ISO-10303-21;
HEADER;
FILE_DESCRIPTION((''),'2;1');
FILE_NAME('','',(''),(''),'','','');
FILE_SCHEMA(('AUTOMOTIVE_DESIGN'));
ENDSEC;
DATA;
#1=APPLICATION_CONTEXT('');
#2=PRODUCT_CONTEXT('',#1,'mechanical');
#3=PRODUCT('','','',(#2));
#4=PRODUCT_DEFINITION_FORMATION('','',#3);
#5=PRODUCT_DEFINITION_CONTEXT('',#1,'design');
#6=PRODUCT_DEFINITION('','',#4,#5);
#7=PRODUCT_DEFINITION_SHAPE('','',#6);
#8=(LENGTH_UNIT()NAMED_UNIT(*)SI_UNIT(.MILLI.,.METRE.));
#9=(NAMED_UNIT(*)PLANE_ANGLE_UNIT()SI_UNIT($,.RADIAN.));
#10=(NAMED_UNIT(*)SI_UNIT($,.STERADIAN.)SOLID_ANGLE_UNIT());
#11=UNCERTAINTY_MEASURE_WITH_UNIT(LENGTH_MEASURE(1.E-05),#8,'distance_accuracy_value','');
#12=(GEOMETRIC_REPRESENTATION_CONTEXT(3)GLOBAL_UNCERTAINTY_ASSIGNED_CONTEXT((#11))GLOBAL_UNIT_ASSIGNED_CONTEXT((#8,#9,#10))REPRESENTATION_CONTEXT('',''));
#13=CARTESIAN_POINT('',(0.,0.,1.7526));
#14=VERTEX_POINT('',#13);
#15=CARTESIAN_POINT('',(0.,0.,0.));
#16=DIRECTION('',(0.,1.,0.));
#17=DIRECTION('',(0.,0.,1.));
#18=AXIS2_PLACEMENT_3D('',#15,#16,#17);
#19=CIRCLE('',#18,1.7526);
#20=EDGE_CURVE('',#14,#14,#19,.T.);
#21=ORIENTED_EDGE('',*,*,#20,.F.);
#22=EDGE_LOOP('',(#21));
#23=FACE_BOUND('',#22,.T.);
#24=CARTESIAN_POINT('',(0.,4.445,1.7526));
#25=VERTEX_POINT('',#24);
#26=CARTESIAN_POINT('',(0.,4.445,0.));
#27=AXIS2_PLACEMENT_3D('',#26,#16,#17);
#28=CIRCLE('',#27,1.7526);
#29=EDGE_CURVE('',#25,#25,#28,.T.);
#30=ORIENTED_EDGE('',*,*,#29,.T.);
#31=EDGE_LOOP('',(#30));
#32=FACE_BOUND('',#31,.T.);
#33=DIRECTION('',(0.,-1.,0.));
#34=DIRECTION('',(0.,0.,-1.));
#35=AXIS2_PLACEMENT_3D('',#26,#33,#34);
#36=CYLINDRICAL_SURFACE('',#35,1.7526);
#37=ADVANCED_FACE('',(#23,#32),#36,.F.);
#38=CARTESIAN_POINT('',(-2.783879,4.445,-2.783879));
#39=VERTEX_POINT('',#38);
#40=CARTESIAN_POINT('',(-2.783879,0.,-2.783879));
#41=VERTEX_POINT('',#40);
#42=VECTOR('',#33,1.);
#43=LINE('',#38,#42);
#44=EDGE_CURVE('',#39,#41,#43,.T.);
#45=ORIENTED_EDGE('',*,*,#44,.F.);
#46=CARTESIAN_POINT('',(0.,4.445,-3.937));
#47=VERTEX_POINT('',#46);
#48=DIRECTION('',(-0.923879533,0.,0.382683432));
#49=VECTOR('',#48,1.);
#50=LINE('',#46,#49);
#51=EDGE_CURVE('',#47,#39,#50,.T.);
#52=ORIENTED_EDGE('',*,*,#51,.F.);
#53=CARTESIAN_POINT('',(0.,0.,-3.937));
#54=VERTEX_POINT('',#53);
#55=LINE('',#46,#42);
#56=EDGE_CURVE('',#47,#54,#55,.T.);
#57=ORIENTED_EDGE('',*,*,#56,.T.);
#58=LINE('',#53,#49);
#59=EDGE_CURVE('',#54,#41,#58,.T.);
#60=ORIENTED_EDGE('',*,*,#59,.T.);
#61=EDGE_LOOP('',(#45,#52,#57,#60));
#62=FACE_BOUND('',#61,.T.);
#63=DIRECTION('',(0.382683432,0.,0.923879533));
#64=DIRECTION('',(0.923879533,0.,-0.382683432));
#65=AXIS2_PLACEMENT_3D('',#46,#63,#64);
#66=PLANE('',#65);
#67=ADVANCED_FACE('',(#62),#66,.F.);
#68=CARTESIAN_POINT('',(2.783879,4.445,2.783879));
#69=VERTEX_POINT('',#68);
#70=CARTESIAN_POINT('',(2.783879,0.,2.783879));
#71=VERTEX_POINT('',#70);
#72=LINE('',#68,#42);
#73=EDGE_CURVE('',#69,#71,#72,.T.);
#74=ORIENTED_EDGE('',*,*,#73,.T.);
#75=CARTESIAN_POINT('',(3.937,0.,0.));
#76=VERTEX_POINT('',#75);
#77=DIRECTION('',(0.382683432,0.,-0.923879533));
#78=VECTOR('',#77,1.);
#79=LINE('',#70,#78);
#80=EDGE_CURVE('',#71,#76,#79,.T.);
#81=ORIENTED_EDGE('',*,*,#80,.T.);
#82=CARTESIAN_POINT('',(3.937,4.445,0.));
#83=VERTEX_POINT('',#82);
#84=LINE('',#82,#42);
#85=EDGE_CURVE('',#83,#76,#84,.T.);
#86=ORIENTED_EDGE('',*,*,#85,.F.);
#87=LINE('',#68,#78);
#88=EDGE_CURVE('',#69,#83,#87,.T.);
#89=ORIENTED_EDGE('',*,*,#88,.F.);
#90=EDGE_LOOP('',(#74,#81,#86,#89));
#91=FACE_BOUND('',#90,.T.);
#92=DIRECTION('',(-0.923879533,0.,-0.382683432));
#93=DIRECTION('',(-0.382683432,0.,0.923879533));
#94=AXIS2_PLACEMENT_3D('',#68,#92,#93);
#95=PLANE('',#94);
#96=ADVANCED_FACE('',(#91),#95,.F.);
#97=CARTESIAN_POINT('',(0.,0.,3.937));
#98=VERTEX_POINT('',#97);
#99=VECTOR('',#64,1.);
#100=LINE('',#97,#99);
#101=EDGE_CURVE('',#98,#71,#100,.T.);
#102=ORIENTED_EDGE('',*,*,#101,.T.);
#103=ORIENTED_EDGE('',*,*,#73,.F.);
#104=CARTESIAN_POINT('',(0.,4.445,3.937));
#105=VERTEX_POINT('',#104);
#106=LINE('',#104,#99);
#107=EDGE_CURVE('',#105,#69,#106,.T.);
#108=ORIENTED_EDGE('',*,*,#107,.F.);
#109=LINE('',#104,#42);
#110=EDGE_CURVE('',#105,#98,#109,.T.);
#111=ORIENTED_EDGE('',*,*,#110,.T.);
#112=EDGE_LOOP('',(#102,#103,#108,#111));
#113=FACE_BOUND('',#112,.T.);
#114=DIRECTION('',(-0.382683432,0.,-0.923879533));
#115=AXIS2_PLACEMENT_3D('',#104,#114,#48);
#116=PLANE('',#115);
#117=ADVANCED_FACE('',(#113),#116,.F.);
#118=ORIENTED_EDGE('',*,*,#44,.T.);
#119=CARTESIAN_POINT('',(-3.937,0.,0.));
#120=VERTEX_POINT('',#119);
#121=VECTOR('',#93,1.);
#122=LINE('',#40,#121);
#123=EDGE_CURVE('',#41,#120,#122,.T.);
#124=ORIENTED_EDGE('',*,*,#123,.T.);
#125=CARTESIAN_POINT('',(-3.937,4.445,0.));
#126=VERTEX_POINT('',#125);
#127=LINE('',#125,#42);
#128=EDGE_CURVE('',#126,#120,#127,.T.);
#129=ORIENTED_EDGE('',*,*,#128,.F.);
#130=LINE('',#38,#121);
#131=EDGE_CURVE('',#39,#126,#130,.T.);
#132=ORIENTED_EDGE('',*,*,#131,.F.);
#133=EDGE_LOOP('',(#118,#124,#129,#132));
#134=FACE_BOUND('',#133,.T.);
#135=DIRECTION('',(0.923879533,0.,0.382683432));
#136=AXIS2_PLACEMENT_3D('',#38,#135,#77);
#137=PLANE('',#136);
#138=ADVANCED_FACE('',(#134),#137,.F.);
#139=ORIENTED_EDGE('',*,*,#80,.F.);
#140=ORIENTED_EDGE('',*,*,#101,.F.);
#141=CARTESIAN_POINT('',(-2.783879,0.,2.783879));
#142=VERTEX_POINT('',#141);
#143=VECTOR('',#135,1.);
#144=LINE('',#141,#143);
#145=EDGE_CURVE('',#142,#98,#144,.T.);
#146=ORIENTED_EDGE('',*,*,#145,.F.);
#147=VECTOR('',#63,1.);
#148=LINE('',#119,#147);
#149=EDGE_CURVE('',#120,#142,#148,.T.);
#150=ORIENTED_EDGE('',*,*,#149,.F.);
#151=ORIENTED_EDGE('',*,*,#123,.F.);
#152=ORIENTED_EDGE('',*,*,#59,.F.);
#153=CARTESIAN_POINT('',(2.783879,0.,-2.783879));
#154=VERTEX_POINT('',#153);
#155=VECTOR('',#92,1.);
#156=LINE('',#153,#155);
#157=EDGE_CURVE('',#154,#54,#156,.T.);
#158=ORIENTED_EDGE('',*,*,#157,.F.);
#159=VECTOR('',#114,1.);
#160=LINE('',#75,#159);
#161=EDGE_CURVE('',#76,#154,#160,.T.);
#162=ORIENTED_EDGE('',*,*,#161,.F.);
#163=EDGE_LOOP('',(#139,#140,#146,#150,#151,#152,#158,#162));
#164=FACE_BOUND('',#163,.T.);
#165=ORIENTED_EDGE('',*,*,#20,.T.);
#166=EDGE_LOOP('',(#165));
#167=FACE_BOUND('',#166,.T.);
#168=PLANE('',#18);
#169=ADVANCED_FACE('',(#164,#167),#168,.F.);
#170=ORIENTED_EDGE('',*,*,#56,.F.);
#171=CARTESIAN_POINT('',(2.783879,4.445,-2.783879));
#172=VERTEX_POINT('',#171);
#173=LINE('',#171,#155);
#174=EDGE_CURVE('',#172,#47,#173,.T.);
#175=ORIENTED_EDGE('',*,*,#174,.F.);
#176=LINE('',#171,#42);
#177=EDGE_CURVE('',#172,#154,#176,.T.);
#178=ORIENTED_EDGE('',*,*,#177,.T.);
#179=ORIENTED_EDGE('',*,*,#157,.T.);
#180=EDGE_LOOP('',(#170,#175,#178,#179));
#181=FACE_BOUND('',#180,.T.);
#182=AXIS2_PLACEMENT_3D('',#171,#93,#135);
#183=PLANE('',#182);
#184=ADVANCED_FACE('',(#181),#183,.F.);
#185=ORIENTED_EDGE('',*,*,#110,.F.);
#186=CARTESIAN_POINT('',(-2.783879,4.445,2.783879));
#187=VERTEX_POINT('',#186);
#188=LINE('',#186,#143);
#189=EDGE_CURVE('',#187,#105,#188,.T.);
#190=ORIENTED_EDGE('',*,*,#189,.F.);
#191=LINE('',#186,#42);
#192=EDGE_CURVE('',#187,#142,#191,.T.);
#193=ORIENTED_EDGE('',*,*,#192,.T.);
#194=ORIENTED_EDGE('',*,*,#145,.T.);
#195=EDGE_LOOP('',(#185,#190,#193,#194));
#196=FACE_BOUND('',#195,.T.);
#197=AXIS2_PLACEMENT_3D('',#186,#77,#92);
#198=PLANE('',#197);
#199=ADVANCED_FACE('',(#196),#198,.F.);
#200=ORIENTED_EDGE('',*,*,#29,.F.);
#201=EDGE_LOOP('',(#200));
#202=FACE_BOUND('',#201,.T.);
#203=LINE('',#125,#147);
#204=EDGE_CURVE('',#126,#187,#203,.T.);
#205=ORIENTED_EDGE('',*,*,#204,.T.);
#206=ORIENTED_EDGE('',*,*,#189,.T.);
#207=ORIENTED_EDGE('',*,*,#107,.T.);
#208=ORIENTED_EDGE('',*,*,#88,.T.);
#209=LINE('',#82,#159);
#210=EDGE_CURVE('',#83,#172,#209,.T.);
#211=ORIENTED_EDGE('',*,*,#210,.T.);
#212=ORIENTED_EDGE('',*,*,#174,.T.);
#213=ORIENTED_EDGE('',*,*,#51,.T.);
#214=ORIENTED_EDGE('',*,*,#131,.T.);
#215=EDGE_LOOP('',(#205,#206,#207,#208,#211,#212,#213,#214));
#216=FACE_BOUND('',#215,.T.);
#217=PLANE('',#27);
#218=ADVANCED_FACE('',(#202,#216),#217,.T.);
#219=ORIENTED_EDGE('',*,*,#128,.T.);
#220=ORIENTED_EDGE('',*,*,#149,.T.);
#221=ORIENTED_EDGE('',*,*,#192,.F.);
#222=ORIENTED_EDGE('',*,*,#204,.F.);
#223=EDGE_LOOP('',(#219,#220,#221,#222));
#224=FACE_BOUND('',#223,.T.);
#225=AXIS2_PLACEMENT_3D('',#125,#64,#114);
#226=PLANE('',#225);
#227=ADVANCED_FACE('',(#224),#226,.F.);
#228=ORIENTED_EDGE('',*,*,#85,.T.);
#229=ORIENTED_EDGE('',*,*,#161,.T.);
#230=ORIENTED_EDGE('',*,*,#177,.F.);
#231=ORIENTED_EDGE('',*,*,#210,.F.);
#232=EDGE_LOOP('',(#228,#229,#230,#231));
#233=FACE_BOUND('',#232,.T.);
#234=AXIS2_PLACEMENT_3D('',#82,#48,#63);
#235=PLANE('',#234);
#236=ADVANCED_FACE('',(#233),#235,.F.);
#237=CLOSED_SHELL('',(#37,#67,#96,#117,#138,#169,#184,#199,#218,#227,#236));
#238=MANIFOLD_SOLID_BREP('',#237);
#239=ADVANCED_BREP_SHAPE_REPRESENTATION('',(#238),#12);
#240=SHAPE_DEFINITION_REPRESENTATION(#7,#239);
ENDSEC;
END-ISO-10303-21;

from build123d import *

# Parameters (mm, degrees)
SKETCH1_R           = 1.7526
BOSS_EXTRUDE1_DEPTH = 4.445


with BuildPart() as part:
    # Sketch1 → Boss-Extrude1 (new body)
    with BuildSketch(Plane(origin=(0, 0, 0), x_dir=(1, 0, 0), z_dir=(0, 1, 0))):
        Polygon((0, 3.937), (-2.783879398, 2.783879398), (-3.937, 0), (-2.783879398, -2.783879398), (0, -3.937), (2.783879398, -2.783879398), (3.937, 0), (2.783879398, 2.783879398), align=None)
        with Locations(Location((0, 0, 0), (0, 0, 270))):
            Circle(SKETCH1_R, mode=Mode.SUBTRACT)
    extrude(amount=BOSS_EXTRUDE1_DEPTH)


solid = part.part
